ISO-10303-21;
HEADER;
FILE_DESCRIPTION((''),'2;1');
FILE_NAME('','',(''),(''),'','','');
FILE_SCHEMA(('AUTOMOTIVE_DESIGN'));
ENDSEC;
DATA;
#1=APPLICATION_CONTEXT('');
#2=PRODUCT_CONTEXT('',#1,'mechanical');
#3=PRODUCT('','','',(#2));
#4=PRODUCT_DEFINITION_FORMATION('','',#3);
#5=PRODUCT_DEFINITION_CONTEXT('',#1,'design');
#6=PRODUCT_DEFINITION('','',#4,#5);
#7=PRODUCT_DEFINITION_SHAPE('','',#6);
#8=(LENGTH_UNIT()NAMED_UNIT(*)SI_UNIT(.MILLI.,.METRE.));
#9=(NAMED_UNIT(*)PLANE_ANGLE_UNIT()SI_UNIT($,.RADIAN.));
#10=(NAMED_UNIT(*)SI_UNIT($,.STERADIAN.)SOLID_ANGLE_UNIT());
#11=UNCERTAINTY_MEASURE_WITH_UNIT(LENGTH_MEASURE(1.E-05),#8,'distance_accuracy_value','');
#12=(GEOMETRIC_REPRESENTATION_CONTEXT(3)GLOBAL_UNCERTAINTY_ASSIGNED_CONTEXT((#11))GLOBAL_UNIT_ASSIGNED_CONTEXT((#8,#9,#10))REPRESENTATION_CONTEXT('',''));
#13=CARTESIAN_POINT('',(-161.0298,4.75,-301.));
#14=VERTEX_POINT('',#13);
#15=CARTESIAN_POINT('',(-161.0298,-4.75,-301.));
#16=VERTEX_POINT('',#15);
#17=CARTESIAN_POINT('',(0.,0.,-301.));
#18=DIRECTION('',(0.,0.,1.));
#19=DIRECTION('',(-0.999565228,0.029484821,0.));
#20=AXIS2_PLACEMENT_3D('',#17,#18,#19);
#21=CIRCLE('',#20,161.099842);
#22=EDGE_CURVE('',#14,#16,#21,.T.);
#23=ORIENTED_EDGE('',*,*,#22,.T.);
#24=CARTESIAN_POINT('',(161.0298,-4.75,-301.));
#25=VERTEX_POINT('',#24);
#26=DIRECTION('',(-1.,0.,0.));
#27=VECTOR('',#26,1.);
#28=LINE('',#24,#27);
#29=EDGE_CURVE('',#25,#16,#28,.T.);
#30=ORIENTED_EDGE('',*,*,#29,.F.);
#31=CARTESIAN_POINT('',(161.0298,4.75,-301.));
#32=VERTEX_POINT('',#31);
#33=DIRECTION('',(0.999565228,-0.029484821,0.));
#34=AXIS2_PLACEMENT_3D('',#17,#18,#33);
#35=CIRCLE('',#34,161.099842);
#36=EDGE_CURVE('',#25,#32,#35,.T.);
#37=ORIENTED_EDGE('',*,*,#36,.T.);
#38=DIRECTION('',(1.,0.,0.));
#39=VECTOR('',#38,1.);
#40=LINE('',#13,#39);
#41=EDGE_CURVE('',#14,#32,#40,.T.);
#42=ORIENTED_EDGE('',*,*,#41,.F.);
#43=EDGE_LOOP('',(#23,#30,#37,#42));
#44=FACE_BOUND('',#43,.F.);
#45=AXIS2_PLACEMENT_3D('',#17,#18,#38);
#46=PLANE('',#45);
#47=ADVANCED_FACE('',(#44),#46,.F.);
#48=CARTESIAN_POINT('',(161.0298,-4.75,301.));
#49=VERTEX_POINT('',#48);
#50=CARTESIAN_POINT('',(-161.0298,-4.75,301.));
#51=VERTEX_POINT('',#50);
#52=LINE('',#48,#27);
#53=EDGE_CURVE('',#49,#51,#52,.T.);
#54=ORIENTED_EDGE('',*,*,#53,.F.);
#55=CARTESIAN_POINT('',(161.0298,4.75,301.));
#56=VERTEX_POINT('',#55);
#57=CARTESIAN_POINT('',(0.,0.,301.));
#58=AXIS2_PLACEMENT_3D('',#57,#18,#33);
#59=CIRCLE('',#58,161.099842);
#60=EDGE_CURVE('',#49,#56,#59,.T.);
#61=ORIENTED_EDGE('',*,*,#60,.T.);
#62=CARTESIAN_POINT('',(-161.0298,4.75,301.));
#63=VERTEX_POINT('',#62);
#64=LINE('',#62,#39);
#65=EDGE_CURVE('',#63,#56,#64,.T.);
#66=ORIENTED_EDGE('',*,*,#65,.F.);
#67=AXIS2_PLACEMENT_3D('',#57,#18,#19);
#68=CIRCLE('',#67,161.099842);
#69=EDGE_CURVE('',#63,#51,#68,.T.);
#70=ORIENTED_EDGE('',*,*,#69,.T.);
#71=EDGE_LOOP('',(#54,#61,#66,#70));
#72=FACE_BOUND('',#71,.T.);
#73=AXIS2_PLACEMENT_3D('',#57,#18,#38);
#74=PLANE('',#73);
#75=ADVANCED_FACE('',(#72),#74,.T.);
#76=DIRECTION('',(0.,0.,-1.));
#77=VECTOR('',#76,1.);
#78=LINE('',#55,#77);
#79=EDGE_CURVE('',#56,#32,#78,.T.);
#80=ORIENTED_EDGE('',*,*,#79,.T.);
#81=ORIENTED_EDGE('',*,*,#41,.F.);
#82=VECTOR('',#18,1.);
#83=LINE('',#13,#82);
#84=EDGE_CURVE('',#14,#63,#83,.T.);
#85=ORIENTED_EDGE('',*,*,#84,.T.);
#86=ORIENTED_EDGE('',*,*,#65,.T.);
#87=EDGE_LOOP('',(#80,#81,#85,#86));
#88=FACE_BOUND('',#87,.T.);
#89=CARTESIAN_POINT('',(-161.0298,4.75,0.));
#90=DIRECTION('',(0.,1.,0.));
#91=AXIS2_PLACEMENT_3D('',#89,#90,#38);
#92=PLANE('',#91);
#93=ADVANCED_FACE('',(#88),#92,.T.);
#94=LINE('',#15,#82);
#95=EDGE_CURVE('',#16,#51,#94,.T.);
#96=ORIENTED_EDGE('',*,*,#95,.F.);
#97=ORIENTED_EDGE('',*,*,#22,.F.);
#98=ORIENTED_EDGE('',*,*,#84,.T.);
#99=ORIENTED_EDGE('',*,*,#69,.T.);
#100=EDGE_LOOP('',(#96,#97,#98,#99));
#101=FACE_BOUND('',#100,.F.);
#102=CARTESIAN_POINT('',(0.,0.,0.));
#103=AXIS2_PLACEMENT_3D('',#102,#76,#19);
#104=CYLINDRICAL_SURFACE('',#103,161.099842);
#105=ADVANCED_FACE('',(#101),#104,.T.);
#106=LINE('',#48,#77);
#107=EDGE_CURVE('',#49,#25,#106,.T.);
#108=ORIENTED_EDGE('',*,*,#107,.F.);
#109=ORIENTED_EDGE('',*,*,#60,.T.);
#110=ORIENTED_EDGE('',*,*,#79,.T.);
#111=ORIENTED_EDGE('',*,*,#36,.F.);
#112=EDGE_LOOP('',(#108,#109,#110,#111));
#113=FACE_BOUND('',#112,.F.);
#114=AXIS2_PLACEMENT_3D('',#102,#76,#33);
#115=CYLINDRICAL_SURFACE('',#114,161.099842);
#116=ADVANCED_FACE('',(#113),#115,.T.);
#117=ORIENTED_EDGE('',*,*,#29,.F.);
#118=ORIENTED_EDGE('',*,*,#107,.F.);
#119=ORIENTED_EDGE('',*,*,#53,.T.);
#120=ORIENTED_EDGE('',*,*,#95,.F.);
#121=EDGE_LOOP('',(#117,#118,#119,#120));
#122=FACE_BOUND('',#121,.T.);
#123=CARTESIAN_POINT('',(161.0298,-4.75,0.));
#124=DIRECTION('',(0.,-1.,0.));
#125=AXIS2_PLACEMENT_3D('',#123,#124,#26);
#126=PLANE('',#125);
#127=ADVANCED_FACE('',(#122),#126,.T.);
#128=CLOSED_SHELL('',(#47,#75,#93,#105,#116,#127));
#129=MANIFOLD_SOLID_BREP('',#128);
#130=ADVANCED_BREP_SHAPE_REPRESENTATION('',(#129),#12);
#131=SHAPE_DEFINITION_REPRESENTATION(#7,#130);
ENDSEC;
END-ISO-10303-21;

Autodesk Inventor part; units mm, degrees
ref_plane "YZ Plane" through (0, 0, 0) normal (1, 0, 0) x (0, 1, 0)
ref_plane "XZ Plane" through (0, 0, 0) normal (0, 1, 0) x (-1, 0, 0)
ref_plane "XY Plane" through (0, 0, 0) normal (0, 0, 1) x (1, 0, 0)
sketch "Sketch2" plane through (0, 0, 0) normal (0, 0, 1) x (1, 0, 0)
  line L0 (-161.0298, 4.75) -> (161.0298, 4.75)
  line L1 (161.0298, -4.75) -> (-161.0298, -4.75)
  arc A0 (-161.0298, 4.75) -> (-161.0298, -4.75) centre (0, 0) ccw
  arc A1 (161.0298, -4.75) -> (161.0298, 4.75) centre (0, 0) ccw
  point P0 (0, 4.75)
  point P1 (0, -4.75)
  point P2 (-161.0999, 0)
  dimension "d4" = 9.5
  dimension "d5" = 322.0597
  dimension "d7" = 322.0597
extrude "Extrusion1" add sketch "Sketch2" along normal blind 301 and the other way blind 301
properties part number "Plate Partition" material "Steel ASTM A36"
